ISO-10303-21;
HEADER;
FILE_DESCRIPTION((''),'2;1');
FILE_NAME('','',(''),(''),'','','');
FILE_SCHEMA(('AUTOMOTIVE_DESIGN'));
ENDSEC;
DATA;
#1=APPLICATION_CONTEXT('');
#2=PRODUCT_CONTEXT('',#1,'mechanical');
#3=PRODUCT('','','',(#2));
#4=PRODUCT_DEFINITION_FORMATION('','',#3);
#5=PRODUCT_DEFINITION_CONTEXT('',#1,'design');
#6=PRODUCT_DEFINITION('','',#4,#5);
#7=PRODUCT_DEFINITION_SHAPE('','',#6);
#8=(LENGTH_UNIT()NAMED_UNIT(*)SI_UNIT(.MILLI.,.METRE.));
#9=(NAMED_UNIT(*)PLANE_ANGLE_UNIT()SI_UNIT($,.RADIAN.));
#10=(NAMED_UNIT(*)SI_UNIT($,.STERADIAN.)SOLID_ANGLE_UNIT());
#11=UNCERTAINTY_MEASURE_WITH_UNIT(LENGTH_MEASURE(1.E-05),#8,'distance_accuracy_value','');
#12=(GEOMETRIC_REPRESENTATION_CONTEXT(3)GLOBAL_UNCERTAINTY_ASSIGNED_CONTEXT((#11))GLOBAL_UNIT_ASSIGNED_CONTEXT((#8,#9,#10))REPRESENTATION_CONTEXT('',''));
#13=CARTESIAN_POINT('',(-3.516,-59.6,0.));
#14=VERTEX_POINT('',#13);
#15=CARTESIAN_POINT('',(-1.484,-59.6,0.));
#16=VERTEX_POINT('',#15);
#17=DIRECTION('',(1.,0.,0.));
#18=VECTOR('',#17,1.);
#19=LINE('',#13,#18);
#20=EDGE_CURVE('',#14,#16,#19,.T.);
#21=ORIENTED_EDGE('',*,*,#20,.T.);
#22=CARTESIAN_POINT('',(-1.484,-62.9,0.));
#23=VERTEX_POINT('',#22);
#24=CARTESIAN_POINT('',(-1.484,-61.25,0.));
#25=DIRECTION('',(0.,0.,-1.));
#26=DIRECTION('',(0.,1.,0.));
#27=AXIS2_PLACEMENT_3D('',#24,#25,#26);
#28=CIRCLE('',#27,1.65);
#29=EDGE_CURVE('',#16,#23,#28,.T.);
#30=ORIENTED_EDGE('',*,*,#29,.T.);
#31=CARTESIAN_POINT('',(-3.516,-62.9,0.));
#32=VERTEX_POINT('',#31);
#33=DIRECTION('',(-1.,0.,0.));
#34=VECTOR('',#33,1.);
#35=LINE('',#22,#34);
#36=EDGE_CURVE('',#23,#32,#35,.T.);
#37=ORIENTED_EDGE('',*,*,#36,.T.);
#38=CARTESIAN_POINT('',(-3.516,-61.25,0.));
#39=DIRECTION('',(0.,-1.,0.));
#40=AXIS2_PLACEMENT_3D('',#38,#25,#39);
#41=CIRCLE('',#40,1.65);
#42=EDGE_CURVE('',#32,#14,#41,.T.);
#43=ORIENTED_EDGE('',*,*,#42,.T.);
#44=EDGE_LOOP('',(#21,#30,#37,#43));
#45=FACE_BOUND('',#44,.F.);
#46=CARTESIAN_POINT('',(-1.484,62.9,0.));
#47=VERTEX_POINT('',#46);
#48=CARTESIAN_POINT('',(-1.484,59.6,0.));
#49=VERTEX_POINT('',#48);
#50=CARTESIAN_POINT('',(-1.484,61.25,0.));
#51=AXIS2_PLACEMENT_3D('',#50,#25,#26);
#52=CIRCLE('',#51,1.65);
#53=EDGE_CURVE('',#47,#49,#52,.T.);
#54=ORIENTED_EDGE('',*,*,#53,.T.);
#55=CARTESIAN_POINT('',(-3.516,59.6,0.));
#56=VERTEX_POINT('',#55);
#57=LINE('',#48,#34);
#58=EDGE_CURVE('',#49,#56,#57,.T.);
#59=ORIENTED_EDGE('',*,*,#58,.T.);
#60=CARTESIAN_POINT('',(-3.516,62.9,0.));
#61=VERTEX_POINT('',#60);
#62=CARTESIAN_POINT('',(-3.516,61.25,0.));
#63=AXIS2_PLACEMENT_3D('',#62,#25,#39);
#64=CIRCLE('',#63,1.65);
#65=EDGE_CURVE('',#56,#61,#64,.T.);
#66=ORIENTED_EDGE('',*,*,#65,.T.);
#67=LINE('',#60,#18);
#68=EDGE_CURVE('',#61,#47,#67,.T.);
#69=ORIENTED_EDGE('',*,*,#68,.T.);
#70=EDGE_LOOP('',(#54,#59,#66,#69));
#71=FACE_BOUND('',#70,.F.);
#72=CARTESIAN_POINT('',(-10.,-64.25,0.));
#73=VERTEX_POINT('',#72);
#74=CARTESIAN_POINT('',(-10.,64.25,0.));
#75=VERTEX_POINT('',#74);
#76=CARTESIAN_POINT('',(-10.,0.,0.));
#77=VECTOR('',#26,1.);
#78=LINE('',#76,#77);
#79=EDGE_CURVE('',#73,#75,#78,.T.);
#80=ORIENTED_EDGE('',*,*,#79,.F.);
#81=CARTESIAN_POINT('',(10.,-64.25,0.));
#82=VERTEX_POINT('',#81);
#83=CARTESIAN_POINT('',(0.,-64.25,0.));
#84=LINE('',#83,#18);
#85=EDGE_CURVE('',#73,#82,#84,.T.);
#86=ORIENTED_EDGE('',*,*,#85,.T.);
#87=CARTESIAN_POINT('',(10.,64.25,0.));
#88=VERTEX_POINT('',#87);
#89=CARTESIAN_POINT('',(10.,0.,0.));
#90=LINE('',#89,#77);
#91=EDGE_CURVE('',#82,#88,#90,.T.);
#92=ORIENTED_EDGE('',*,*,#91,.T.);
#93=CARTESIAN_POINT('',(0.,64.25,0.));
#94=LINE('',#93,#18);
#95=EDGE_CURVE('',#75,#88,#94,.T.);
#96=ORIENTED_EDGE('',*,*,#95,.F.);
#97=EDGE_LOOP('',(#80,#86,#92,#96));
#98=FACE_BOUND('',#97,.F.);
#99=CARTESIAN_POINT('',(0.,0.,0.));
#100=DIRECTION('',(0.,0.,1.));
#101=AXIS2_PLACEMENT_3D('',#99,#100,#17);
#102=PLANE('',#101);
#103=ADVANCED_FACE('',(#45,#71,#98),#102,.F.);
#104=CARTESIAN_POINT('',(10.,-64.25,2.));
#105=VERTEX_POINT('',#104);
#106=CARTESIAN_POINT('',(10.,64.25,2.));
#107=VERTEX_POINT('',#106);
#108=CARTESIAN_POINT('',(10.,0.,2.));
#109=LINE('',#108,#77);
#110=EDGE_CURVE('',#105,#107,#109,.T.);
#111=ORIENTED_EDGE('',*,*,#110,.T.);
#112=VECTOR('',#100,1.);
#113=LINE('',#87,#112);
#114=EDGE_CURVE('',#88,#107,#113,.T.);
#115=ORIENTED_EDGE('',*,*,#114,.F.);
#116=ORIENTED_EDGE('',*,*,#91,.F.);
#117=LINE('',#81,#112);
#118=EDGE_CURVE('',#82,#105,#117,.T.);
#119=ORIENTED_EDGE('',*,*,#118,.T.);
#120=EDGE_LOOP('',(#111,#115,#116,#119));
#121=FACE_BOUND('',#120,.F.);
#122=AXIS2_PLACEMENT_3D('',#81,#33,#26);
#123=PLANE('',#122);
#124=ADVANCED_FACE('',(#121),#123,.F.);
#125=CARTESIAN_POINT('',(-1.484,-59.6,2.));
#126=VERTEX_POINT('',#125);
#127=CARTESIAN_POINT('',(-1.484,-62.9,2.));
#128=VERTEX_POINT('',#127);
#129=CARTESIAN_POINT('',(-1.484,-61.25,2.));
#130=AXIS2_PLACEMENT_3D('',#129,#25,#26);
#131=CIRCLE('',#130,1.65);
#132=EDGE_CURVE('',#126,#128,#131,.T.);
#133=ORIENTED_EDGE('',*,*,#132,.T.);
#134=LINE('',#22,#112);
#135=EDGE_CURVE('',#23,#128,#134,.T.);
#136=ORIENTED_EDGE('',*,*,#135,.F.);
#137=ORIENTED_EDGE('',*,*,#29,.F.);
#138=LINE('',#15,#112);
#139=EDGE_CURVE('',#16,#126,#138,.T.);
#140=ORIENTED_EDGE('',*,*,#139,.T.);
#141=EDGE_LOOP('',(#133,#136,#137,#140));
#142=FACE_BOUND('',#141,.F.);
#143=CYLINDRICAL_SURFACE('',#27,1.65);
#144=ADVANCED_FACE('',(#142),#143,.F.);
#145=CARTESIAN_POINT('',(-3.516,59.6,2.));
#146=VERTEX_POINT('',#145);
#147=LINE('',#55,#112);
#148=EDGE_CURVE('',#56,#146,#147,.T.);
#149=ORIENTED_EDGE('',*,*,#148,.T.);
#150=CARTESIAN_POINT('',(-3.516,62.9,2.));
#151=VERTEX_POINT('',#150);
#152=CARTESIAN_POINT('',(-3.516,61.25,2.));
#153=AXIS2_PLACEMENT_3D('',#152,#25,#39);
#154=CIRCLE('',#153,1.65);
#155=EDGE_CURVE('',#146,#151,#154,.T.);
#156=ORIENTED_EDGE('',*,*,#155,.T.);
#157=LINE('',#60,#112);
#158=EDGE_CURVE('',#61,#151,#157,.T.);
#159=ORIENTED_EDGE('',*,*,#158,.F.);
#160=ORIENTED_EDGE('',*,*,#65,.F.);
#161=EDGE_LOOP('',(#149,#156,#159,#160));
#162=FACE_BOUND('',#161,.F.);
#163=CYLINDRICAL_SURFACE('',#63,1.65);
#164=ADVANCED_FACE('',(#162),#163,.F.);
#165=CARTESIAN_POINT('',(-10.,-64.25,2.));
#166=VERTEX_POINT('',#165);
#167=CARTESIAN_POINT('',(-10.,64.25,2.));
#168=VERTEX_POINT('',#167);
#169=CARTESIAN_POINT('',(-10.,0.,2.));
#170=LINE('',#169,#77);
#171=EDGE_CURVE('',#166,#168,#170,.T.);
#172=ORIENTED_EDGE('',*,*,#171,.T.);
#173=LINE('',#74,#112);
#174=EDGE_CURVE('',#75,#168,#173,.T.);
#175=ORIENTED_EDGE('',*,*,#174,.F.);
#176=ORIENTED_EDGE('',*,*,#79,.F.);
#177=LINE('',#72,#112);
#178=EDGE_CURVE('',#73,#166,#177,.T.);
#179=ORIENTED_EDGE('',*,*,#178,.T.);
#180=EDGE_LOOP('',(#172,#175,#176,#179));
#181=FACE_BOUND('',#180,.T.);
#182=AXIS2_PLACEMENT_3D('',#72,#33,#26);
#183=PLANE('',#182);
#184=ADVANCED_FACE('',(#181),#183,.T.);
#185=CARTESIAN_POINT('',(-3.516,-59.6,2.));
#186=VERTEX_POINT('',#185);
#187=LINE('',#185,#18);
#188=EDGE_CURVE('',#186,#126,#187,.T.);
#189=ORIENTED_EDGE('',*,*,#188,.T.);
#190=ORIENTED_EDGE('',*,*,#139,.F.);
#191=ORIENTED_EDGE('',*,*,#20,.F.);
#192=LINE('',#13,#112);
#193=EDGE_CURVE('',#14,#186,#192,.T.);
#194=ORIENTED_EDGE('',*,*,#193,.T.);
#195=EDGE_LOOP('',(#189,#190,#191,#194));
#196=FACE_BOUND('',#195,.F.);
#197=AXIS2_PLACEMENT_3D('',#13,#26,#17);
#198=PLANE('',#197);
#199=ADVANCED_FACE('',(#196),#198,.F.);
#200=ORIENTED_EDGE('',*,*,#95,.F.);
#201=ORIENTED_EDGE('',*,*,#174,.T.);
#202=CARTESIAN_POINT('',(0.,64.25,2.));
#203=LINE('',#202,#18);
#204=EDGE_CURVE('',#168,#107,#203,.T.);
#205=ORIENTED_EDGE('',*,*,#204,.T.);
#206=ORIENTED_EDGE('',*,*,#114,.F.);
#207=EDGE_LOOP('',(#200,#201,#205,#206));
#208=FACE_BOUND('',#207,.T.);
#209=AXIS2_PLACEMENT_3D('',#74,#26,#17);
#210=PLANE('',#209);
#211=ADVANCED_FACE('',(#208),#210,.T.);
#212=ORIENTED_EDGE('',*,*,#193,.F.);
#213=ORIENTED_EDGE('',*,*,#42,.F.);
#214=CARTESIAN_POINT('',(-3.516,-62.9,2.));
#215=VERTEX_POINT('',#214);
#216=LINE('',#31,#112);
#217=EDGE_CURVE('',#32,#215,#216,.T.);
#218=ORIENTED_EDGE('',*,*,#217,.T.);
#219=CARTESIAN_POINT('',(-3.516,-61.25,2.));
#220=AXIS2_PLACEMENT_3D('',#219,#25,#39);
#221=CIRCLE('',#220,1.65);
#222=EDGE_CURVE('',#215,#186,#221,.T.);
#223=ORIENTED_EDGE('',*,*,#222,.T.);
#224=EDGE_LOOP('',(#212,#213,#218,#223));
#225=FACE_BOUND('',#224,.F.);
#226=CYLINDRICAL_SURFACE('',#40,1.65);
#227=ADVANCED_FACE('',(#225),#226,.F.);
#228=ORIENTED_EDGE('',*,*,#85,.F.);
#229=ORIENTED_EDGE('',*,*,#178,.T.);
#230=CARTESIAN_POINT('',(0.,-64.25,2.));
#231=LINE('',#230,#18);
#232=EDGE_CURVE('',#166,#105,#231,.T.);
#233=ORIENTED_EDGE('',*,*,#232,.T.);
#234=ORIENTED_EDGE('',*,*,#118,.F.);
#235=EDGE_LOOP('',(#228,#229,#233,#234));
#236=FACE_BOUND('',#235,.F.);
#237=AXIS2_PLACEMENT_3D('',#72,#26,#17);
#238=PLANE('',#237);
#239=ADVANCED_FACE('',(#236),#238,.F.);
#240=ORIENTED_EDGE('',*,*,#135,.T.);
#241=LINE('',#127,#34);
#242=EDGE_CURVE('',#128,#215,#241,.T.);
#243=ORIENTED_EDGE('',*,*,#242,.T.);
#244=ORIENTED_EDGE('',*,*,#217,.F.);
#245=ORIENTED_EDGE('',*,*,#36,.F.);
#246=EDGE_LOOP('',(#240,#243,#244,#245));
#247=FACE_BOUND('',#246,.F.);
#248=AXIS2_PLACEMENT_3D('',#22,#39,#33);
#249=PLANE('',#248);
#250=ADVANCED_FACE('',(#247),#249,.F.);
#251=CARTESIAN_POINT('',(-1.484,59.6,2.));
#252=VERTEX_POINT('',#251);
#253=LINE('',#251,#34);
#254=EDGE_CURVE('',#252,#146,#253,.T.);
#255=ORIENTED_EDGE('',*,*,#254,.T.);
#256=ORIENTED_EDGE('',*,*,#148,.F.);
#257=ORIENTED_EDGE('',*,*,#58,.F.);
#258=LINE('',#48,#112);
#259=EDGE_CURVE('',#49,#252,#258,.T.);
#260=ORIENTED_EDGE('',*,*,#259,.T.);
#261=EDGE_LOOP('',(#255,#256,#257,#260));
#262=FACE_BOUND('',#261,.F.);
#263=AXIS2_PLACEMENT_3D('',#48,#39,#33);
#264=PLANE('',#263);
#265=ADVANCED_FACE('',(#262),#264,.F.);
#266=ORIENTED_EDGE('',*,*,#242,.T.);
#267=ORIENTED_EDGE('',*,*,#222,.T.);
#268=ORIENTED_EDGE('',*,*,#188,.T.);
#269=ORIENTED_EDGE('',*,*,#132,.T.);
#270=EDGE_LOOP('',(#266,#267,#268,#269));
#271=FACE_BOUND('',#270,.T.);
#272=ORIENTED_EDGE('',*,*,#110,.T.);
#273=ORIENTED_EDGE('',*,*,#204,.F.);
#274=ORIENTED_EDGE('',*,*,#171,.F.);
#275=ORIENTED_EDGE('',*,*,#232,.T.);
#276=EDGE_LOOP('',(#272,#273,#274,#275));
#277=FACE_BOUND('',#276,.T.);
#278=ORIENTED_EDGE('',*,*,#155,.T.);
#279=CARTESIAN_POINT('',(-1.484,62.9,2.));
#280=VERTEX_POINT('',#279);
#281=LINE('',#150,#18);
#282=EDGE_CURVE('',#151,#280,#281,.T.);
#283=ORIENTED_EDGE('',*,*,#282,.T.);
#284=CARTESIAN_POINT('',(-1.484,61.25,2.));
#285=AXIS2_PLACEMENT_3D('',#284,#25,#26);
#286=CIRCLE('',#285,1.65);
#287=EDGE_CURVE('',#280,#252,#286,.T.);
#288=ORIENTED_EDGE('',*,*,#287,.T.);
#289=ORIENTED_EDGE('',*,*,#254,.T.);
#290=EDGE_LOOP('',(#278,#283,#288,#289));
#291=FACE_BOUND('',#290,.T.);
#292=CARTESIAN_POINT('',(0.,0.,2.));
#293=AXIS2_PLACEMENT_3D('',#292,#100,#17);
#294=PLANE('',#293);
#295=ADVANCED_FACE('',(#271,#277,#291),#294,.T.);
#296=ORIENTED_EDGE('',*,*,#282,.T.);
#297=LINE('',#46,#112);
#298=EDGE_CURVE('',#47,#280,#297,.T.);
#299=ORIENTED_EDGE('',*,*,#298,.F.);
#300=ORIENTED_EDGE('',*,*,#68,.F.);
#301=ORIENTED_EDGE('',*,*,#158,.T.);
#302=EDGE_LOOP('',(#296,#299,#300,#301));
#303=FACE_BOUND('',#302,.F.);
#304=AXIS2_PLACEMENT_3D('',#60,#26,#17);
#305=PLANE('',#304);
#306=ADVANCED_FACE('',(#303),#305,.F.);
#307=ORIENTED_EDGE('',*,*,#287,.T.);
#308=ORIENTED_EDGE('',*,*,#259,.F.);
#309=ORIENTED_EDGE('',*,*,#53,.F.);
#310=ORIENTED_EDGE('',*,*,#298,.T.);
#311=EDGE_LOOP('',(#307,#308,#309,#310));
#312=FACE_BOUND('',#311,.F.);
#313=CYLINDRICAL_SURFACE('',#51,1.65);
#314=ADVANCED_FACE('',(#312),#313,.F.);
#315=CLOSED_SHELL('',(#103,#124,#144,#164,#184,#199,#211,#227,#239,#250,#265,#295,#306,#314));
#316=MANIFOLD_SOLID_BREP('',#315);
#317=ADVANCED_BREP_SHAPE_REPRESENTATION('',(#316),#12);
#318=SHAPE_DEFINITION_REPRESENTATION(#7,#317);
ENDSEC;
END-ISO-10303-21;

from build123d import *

# Parameters (mm, degrees)
SKETCH1_W           = 20
SKETCH1_H           = 128.5
BOSS_EXTRUDE1_DEPTH = 2


with BuildPart() as part:
    # Sketch1 → Boss-Extrude1 (new body)
    with BuildSketch(Plane.XY):
        Rectangle(SKETCH1_W, SKETCH1_H)
        with BuildLine():
            Line((-3.516, -59.6), (-1.484, -59.6))
            ThreePointArc((-1.484, -59.6), (0.166, -61.25), (-1.484, -62.9))
            Line((-1.484, -62.9), (-3.516, -62.9))
            ThreePointArc((-3.516, -62.9), (-5.166, -61.25), (-3.516, -59.6))
        make_face(mode=Mode.SUBTRACT)
        with BuildLine():
            Line((-3.516, 62.9), (-1.484, 62.9))
            ThreePointArc((-1.484, 62.9), (0.166, 61.25), (-1.484, 59.6))
            Line((-1.484, 59.6), (-3.516, 59.6))
            ThreePointArc((-3.516, 59.6), (-5.166, 61.25), (-3.516, 62.9))
        make_face(mode=Mode.SUBTRACT)
    extrude(amount=BOSS_EXTRUDE1_DEPTH)


solid = part.part
